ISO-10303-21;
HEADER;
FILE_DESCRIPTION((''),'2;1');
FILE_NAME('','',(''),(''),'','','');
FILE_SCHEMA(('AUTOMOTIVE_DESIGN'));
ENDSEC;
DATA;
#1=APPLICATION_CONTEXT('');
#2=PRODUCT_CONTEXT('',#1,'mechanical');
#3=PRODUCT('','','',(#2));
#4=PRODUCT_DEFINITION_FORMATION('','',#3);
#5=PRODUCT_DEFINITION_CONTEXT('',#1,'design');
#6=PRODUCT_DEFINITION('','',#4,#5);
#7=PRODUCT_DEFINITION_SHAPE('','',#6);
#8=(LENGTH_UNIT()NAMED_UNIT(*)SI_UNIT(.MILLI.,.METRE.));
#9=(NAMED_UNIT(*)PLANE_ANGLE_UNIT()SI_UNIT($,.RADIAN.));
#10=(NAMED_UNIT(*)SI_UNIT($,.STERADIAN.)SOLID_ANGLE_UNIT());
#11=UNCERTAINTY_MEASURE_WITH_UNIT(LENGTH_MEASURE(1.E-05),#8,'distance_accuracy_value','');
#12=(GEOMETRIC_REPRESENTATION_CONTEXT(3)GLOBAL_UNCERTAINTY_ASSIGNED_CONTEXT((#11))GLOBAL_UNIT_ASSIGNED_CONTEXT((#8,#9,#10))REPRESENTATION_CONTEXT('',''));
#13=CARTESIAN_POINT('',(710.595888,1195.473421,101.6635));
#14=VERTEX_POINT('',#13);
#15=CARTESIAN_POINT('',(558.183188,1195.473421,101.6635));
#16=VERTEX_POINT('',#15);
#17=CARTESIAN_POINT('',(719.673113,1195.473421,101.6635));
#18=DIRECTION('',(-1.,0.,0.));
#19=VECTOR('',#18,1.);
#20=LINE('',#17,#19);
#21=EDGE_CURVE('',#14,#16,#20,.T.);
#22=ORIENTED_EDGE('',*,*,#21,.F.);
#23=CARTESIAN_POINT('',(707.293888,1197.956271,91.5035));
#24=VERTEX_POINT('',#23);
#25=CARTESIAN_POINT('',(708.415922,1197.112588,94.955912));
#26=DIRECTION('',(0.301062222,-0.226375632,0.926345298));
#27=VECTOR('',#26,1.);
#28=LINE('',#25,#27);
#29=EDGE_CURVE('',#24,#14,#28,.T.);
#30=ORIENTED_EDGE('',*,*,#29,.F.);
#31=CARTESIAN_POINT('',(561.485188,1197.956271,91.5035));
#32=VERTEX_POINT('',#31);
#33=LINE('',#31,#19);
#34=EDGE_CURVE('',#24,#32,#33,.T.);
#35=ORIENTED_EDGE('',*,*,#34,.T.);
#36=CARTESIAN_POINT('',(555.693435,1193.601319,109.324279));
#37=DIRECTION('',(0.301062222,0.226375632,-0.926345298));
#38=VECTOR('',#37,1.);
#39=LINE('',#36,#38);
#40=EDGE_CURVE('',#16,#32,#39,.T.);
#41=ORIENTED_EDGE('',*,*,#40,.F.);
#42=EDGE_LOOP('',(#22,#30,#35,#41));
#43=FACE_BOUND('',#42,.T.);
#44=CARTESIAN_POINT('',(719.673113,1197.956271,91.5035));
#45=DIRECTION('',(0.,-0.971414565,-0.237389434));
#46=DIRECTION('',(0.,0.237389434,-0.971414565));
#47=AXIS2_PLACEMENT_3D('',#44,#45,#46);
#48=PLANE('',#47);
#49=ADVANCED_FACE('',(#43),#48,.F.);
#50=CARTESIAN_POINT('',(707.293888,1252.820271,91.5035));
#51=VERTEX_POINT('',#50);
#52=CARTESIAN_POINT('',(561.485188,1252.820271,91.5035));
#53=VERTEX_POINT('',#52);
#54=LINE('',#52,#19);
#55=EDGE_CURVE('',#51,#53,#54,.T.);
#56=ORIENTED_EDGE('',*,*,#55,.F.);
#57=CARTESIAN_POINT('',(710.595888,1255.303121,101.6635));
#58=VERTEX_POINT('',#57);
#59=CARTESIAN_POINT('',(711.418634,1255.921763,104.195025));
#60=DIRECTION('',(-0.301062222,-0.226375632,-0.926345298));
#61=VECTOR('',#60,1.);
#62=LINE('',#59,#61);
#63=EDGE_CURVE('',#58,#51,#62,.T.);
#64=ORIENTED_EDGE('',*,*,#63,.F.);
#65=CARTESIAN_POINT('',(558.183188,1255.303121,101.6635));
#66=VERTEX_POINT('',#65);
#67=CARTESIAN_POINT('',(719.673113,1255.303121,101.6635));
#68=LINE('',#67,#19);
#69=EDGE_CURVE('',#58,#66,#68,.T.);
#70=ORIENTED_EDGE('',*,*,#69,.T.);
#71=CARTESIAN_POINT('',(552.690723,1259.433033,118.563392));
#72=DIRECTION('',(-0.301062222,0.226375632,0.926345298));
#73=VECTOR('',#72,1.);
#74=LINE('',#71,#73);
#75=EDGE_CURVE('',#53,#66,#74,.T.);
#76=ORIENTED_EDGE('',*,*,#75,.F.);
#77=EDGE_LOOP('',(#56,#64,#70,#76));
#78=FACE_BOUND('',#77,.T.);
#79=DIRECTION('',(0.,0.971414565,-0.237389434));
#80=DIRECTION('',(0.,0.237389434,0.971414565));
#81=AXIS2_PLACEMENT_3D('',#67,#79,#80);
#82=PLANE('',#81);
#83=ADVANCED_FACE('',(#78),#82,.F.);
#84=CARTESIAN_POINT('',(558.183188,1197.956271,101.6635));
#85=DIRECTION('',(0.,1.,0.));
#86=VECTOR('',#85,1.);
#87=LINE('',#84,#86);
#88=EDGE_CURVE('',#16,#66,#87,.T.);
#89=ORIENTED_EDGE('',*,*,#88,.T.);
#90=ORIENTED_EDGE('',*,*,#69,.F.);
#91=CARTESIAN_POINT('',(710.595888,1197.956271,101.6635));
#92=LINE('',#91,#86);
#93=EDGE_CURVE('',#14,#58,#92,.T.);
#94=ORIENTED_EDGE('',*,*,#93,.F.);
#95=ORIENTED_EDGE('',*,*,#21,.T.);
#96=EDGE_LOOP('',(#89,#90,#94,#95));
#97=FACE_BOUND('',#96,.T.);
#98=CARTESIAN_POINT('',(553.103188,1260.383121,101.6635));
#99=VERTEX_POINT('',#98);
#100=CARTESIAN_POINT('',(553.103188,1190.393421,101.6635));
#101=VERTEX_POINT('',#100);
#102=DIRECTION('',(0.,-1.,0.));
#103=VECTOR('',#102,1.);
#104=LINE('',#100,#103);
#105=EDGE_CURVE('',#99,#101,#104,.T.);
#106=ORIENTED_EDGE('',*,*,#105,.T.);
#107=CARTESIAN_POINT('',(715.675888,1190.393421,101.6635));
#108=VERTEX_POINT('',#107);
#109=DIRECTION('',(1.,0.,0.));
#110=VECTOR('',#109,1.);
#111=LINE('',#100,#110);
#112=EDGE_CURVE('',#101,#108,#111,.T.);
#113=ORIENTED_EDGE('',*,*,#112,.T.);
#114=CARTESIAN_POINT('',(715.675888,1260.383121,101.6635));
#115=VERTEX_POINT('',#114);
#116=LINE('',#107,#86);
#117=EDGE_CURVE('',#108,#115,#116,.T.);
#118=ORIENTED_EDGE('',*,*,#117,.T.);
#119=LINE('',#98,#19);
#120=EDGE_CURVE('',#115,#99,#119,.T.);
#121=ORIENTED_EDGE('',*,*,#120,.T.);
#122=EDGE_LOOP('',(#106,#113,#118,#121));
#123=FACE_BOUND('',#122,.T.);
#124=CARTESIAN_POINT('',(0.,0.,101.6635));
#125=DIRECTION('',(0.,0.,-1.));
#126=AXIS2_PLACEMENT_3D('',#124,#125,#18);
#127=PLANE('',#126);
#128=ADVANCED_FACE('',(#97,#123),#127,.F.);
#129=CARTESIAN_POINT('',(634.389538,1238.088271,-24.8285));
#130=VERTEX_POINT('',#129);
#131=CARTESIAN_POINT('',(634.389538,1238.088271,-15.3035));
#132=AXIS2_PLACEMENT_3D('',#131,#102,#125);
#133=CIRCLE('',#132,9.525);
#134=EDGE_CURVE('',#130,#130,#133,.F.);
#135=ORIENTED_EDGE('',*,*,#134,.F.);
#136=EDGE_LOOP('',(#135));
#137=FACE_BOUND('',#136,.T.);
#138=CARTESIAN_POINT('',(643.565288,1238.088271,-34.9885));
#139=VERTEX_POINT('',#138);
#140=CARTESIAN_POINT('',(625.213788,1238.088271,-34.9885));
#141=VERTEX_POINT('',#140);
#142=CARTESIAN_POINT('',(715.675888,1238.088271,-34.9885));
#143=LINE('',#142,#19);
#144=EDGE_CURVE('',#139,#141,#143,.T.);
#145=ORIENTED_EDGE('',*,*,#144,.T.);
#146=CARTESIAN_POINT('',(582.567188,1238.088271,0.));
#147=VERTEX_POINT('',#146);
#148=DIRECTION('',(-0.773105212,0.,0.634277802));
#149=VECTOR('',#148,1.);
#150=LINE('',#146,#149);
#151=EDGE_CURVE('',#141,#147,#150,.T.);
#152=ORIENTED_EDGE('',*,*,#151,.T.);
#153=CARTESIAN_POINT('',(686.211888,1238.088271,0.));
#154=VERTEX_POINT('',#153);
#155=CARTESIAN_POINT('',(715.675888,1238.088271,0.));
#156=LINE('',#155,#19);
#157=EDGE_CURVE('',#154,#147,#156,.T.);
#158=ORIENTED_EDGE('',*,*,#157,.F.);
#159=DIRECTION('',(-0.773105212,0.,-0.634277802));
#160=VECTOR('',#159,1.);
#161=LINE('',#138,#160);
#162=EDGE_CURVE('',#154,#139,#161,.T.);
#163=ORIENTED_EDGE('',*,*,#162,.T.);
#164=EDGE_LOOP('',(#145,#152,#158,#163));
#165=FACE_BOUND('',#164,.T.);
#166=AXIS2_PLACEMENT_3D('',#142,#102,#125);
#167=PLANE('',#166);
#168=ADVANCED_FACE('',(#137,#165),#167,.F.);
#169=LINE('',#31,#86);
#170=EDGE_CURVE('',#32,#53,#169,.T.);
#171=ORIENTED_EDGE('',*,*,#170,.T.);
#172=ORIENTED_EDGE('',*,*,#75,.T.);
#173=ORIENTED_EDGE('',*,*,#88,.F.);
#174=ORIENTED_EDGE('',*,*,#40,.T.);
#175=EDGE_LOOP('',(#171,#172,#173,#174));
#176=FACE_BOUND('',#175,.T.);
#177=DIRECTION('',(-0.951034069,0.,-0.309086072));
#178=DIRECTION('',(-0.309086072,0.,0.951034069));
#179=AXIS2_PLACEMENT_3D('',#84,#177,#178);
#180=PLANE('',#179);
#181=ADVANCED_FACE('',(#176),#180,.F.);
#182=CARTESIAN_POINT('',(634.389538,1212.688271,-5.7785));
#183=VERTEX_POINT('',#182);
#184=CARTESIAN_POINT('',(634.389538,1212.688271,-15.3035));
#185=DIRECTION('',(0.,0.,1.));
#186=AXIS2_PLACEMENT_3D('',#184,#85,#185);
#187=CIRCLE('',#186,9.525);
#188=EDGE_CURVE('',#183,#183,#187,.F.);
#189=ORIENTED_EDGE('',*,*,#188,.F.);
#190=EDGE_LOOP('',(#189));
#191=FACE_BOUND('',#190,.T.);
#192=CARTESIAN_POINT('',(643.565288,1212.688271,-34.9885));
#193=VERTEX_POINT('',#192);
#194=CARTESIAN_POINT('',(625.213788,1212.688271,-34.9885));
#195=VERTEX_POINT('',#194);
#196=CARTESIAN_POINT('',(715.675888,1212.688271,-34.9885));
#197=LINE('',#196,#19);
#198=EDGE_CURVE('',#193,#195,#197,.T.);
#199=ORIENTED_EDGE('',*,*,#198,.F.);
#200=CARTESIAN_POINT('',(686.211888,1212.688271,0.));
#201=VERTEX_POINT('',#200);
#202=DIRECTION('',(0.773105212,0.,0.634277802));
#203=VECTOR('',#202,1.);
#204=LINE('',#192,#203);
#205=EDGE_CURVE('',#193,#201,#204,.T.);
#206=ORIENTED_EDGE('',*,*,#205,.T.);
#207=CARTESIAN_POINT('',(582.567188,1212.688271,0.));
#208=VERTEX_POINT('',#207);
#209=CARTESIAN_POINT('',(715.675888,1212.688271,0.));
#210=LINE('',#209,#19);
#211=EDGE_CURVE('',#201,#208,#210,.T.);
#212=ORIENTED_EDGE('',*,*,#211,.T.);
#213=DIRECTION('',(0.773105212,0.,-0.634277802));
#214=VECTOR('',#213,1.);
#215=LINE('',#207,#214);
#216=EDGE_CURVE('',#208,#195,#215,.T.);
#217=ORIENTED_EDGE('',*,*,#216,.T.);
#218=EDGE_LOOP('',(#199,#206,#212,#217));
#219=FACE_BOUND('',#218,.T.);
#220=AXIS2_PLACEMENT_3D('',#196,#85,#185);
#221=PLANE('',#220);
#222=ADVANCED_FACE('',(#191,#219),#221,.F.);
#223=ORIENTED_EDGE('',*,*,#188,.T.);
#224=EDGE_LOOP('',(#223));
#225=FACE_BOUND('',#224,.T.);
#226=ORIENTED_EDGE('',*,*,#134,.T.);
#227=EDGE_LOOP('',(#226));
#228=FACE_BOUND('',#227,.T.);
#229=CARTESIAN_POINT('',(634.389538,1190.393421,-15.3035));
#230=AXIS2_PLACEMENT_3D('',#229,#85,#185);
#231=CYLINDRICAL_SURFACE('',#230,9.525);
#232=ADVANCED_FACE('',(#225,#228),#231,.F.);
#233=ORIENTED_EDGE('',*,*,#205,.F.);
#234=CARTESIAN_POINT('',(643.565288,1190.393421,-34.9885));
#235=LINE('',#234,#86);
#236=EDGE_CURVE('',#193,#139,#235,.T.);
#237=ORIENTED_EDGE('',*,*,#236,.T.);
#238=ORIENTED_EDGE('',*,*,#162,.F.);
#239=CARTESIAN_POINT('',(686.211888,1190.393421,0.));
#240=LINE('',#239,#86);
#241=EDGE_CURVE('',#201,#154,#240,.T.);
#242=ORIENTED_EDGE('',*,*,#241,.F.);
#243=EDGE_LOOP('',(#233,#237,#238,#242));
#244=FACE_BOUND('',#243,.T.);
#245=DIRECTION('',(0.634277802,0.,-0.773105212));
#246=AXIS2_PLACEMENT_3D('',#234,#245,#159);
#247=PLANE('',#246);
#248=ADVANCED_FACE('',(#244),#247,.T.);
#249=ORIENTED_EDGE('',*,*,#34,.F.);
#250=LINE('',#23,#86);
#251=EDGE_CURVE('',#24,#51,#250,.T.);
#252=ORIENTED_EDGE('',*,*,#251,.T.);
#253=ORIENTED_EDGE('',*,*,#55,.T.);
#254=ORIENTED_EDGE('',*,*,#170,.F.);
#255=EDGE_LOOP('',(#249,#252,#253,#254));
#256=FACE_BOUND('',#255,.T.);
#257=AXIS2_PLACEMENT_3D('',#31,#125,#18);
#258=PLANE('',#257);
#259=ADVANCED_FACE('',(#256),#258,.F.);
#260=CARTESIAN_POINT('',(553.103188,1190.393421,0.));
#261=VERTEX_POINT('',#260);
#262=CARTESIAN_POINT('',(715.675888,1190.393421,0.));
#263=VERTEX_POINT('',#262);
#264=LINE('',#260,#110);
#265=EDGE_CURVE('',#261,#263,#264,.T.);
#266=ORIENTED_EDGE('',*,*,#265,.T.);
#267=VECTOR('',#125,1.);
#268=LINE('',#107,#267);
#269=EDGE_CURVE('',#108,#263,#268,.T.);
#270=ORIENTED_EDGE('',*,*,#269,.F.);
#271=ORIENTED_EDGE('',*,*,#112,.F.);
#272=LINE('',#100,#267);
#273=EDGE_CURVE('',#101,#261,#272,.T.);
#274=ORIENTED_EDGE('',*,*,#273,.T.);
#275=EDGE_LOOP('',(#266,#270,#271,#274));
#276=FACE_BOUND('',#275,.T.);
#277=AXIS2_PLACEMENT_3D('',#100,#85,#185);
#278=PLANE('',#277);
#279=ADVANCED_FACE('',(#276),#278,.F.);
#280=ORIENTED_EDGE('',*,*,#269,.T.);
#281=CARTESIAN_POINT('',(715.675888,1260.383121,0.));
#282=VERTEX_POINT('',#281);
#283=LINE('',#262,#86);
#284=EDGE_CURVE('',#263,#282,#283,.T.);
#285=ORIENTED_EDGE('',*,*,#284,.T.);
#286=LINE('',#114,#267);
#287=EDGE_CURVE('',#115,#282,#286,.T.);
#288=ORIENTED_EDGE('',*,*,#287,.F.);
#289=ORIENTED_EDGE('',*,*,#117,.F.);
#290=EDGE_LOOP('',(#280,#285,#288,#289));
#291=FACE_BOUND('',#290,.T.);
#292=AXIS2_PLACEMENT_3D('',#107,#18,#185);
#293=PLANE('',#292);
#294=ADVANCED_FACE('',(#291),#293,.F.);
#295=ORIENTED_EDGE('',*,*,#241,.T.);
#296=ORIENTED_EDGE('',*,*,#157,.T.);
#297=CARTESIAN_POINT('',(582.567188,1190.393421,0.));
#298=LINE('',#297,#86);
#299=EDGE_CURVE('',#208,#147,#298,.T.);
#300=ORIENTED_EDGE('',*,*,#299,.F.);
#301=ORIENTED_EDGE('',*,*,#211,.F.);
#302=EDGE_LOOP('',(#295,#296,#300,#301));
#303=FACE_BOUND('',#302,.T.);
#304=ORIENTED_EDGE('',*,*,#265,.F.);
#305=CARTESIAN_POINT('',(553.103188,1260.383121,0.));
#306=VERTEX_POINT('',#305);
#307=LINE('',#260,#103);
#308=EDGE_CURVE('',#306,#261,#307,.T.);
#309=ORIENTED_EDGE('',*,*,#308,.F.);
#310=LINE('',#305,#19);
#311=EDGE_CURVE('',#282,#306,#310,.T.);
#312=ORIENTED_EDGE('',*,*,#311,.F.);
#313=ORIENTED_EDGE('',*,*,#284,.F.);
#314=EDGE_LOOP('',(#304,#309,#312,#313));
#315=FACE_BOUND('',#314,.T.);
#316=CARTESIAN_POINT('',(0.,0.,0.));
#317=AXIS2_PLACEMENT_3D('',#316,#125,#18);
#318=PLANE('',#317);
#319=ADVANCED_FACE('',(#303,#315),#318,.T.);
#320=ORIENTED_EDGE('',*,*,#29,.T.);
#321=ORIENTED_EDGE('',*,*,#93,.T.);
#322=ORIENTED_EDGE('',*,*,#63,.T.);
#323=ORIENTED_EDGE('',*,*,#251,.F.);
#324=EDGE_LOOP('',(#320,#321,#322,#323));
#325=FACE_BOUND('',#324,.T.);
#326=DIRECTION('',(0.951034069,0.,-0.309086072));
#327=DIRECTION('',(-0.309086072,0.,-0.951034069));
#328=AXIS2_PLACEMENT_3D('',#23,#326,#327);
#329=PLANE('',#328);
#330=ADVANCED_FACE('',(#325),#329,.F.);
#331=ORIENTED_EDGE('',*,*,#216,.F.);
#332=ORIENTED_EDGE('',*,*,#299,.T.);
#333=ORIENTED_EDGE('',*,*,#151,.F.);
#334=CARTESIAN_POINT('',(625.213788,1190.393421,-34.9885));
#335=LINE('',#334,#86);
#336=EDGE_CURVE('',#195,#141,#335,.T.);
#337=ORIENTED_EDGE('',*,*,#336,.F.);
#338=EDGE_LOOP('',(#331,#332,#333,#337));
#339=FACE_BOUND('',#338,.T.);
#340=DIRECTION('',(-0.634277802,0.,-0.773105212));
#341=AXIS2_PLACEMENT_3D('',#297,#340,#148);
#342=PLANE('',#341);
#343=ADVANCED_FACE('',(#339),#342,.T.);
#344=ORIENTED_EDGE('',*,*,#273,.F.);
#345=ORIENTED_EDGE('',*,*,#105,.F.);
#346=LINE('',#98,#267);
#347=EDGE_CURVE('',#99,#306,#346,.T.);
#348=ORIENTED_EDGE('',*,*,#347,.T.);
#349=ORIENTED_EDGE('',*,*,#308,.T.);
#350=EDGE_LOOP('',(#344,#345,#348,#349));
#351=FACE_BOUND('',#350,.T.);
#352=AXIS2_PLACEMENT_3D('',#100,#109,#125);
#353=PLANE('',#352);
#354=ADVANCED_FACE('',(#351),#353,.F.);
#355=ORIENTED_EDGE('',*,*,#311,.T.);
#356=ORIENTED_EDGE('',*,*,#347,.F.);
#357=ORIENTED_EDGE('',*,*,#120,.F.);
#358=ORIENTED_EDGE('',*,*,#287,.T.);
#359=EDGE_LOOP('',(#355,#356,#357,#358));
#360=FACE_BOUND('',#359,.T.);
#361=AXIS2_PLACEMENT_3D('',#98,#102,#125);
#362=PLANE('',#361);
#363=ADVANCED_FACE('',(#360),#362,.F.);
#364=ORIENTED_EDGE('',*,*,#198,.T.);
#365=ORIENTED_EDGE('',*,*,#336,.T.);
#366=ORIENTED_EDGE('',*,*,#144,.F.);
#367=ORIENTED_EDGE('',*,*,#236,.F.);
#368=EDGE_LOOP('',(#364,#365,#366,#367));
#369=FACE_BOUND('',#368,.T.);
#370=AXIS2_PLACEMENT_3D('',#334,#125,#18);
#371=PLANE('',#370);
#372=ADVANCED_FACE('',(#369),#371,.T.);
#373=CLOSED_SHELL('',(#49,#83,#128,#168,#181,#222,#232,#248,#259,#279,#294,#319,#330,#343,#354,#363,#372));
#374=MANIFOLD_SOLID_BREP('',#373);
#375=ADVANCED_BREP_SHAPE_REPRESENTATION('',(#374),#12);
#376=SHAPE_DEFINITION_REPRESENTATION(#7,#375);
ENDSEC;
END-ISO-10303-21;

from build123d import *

# Parameters (mm, degrees)
SKETCH1_W           = 162.5727
SKETCH1_H           = 69.9897
BOSS_EXTRUDE1_DEPTH = 101.6635
SKETCH2_R           = 9.525
BOSS_EXTRUDE2_DEPTH = 69.9897
SKETCH3_W           = 34.9885
SKETCH3_H           = 22.29485
CUT_EXTRUDE1_DEPTH  = 1275.884686052
CUT_EXTRUDE2_DEPTH  = 27.432
CUT_EXTRUDE3_REACH  = 1269.087
CUT_EXTRUDE5_REACH  = 1269.087


with BuildPart() as part:
    # Sketch1 → Boss-Extrude1 (new body)
    with BuildSketch(Plane.XY):
        with Locations((634.389537826, 1225.388271401)):
            Rectangle(SKETCH1_W, SKETCH1_H)
    extrude(amount=BOSS_EXTRUDE1_DEPTH)

    # Sketch2 → Boss-Extrude2 (add, through all)
    with BuildSketch(Plane(origin=(0, 1260.383121401, 0), x_dir=(1, 0, 0), z_dir=(0, 1, 0))):
        Polygon((582.567187826, 0), (625.213787826, 34.9885), (643.565287826, 34.9885), (686.211887826, 0), align=None)
        with Locations(Location((634.389537826, 15.3035, 0), (0, 0, 270))):
            Circle(SKETCH2_R, mode=Mode.SUBTRACT)
    extrude(amount=-BOSS_EXTRUDE2_DEPTH)

    # Sketch3 → Cut-Extrude1 (cut, through all)
    with BuildSketch(Plane.ZY.offset(-553.103187826)):
        with Locations((-17.49425, 1201.540846401)):
            Rectangle(SKETCH3_W, SKETCH3_H)
        with Locations((-17.49425, 1249.235696401)):
            Rectangle(SKETCH3_W, SKETCH3_H)
    extrude(amount=-CUT_EXTRUDE1_DEPTH, mode=Mode.SUBTRACT)

    # Sketch5 → Cut-Extrude2 (cut, symmetric)
    with BuildSketch(Plane(origin=(0, 1225.388271401, 0), x_dir=(1, 0, 0), z_dir=(0, 1, 0))):
        Polygon((558.183187826, -101.6635), (561.485187826, -91.5035), (707.293887826, -91.5035), (710.595887826, -101.6635), align=None)
    extrude(amount=CUT_EXTRUDE2_DEPTH, both=True, mode=Mode.SUBTRACT)

    # Cut-Extrude3: up to this plane
    cut_extrude3_end = Plane(origin=(707.293887826, 1197.956271401, 91.5035), z_dir=(0.9510340687309474, 0, -0.3090860723375604))
    # Sketch6 → Cut-Extrude3 (cut, up to the surface)
    with BuildSketch(Plane.ZY.offset(-634.389537826), mode=Mode.PRIVATE) as cut_extrude3_sk1:
        Polygon((101.6635, 1255.303121401), (91.5035, 1252.820271401), (101.6635, 1252.820271401), align=None)
    cut_extrude3_tool1 = split(extrude(cut_extrude3_sk1.sketch, amount=-CUT_EXTRUDE3_REACH, mode=Mode.PRIVATE), bisect_by=cut_extrude3_end, keep=Keep.BOTH, mode=Mode.PRIVATE)
    add(cut_extrude3_tool1.solids().sort_by_distance((634.389538, 1253.647888, 98.276833))[0], mode=Mode.SUBTRACT)
    # Sketch6 → Cut-Extrude3 (cut, up to the surface)
    with BuildSketch(Plane.ZY.offset(-634.389537826), mode=Mode.PRIVATE) as cut_extrude3_sk2:
        Polygon((91.5035, 1197.956271401), (101.6635, 1195.473421401), (101.6635, 1197.956271401), align=None)
    cut_extrude3_tool2 = split(extrude(cut_extrude3_sk2.sketch, amount=-CUT_EXTRUDE3_REACH, mode=Mode.PRIVATE), bisect_by=cut_extrude3_end, keep=Keep.BOTH, mode=Mode.PRIVATE)
    add(cut_extrude3_tool2.solids().sort_by_distance((634.389538, 1197.128655, 98.276833))[0], mode=Mode.SUBTRACT)

    # Cut-Extrude5: up to this face of the body (flat: up to its plane)
    cut_extrude5_end = Plane(part.part.faces().sort_by_distance((559.834187826, 1225.388271401, 96.5835))[0])
    # Sketch8 → Cut-Extrude5 (cut, up to the picked face)
    with BuildSketch(Plane(origin=(634.389537826, 0, 0), x_dir=(0, 0, -1), z_dir=(1, 0, 0)), mode=Mode.PRIVATE) as cut_extrude5_sk1:
        Polygon((-101.6635, 1255.303121401), (-91.5035, 1252.820271401), (-91.5035, 1197.956271401), (-101.6635, 1195.473421401), align=None)
    cut_extrude5_tool1 = split(extrude(cut_extrude5_sk1.sketch, amount=-CUT_EXTRUDE5_REACH, mode=Mode.PRIVATE), bisect_by=cut_extrude5_end, keep=Keep.BOTH, mode=Mode.PRIVATE)
    add(cut_extrude5_tool1.solids().sort_by(Axis((634.389538, 1225.388271, 96.656813), (-1, 0, 0)))[0], mode=Mode.SUBTRACT)


solid = part.part
